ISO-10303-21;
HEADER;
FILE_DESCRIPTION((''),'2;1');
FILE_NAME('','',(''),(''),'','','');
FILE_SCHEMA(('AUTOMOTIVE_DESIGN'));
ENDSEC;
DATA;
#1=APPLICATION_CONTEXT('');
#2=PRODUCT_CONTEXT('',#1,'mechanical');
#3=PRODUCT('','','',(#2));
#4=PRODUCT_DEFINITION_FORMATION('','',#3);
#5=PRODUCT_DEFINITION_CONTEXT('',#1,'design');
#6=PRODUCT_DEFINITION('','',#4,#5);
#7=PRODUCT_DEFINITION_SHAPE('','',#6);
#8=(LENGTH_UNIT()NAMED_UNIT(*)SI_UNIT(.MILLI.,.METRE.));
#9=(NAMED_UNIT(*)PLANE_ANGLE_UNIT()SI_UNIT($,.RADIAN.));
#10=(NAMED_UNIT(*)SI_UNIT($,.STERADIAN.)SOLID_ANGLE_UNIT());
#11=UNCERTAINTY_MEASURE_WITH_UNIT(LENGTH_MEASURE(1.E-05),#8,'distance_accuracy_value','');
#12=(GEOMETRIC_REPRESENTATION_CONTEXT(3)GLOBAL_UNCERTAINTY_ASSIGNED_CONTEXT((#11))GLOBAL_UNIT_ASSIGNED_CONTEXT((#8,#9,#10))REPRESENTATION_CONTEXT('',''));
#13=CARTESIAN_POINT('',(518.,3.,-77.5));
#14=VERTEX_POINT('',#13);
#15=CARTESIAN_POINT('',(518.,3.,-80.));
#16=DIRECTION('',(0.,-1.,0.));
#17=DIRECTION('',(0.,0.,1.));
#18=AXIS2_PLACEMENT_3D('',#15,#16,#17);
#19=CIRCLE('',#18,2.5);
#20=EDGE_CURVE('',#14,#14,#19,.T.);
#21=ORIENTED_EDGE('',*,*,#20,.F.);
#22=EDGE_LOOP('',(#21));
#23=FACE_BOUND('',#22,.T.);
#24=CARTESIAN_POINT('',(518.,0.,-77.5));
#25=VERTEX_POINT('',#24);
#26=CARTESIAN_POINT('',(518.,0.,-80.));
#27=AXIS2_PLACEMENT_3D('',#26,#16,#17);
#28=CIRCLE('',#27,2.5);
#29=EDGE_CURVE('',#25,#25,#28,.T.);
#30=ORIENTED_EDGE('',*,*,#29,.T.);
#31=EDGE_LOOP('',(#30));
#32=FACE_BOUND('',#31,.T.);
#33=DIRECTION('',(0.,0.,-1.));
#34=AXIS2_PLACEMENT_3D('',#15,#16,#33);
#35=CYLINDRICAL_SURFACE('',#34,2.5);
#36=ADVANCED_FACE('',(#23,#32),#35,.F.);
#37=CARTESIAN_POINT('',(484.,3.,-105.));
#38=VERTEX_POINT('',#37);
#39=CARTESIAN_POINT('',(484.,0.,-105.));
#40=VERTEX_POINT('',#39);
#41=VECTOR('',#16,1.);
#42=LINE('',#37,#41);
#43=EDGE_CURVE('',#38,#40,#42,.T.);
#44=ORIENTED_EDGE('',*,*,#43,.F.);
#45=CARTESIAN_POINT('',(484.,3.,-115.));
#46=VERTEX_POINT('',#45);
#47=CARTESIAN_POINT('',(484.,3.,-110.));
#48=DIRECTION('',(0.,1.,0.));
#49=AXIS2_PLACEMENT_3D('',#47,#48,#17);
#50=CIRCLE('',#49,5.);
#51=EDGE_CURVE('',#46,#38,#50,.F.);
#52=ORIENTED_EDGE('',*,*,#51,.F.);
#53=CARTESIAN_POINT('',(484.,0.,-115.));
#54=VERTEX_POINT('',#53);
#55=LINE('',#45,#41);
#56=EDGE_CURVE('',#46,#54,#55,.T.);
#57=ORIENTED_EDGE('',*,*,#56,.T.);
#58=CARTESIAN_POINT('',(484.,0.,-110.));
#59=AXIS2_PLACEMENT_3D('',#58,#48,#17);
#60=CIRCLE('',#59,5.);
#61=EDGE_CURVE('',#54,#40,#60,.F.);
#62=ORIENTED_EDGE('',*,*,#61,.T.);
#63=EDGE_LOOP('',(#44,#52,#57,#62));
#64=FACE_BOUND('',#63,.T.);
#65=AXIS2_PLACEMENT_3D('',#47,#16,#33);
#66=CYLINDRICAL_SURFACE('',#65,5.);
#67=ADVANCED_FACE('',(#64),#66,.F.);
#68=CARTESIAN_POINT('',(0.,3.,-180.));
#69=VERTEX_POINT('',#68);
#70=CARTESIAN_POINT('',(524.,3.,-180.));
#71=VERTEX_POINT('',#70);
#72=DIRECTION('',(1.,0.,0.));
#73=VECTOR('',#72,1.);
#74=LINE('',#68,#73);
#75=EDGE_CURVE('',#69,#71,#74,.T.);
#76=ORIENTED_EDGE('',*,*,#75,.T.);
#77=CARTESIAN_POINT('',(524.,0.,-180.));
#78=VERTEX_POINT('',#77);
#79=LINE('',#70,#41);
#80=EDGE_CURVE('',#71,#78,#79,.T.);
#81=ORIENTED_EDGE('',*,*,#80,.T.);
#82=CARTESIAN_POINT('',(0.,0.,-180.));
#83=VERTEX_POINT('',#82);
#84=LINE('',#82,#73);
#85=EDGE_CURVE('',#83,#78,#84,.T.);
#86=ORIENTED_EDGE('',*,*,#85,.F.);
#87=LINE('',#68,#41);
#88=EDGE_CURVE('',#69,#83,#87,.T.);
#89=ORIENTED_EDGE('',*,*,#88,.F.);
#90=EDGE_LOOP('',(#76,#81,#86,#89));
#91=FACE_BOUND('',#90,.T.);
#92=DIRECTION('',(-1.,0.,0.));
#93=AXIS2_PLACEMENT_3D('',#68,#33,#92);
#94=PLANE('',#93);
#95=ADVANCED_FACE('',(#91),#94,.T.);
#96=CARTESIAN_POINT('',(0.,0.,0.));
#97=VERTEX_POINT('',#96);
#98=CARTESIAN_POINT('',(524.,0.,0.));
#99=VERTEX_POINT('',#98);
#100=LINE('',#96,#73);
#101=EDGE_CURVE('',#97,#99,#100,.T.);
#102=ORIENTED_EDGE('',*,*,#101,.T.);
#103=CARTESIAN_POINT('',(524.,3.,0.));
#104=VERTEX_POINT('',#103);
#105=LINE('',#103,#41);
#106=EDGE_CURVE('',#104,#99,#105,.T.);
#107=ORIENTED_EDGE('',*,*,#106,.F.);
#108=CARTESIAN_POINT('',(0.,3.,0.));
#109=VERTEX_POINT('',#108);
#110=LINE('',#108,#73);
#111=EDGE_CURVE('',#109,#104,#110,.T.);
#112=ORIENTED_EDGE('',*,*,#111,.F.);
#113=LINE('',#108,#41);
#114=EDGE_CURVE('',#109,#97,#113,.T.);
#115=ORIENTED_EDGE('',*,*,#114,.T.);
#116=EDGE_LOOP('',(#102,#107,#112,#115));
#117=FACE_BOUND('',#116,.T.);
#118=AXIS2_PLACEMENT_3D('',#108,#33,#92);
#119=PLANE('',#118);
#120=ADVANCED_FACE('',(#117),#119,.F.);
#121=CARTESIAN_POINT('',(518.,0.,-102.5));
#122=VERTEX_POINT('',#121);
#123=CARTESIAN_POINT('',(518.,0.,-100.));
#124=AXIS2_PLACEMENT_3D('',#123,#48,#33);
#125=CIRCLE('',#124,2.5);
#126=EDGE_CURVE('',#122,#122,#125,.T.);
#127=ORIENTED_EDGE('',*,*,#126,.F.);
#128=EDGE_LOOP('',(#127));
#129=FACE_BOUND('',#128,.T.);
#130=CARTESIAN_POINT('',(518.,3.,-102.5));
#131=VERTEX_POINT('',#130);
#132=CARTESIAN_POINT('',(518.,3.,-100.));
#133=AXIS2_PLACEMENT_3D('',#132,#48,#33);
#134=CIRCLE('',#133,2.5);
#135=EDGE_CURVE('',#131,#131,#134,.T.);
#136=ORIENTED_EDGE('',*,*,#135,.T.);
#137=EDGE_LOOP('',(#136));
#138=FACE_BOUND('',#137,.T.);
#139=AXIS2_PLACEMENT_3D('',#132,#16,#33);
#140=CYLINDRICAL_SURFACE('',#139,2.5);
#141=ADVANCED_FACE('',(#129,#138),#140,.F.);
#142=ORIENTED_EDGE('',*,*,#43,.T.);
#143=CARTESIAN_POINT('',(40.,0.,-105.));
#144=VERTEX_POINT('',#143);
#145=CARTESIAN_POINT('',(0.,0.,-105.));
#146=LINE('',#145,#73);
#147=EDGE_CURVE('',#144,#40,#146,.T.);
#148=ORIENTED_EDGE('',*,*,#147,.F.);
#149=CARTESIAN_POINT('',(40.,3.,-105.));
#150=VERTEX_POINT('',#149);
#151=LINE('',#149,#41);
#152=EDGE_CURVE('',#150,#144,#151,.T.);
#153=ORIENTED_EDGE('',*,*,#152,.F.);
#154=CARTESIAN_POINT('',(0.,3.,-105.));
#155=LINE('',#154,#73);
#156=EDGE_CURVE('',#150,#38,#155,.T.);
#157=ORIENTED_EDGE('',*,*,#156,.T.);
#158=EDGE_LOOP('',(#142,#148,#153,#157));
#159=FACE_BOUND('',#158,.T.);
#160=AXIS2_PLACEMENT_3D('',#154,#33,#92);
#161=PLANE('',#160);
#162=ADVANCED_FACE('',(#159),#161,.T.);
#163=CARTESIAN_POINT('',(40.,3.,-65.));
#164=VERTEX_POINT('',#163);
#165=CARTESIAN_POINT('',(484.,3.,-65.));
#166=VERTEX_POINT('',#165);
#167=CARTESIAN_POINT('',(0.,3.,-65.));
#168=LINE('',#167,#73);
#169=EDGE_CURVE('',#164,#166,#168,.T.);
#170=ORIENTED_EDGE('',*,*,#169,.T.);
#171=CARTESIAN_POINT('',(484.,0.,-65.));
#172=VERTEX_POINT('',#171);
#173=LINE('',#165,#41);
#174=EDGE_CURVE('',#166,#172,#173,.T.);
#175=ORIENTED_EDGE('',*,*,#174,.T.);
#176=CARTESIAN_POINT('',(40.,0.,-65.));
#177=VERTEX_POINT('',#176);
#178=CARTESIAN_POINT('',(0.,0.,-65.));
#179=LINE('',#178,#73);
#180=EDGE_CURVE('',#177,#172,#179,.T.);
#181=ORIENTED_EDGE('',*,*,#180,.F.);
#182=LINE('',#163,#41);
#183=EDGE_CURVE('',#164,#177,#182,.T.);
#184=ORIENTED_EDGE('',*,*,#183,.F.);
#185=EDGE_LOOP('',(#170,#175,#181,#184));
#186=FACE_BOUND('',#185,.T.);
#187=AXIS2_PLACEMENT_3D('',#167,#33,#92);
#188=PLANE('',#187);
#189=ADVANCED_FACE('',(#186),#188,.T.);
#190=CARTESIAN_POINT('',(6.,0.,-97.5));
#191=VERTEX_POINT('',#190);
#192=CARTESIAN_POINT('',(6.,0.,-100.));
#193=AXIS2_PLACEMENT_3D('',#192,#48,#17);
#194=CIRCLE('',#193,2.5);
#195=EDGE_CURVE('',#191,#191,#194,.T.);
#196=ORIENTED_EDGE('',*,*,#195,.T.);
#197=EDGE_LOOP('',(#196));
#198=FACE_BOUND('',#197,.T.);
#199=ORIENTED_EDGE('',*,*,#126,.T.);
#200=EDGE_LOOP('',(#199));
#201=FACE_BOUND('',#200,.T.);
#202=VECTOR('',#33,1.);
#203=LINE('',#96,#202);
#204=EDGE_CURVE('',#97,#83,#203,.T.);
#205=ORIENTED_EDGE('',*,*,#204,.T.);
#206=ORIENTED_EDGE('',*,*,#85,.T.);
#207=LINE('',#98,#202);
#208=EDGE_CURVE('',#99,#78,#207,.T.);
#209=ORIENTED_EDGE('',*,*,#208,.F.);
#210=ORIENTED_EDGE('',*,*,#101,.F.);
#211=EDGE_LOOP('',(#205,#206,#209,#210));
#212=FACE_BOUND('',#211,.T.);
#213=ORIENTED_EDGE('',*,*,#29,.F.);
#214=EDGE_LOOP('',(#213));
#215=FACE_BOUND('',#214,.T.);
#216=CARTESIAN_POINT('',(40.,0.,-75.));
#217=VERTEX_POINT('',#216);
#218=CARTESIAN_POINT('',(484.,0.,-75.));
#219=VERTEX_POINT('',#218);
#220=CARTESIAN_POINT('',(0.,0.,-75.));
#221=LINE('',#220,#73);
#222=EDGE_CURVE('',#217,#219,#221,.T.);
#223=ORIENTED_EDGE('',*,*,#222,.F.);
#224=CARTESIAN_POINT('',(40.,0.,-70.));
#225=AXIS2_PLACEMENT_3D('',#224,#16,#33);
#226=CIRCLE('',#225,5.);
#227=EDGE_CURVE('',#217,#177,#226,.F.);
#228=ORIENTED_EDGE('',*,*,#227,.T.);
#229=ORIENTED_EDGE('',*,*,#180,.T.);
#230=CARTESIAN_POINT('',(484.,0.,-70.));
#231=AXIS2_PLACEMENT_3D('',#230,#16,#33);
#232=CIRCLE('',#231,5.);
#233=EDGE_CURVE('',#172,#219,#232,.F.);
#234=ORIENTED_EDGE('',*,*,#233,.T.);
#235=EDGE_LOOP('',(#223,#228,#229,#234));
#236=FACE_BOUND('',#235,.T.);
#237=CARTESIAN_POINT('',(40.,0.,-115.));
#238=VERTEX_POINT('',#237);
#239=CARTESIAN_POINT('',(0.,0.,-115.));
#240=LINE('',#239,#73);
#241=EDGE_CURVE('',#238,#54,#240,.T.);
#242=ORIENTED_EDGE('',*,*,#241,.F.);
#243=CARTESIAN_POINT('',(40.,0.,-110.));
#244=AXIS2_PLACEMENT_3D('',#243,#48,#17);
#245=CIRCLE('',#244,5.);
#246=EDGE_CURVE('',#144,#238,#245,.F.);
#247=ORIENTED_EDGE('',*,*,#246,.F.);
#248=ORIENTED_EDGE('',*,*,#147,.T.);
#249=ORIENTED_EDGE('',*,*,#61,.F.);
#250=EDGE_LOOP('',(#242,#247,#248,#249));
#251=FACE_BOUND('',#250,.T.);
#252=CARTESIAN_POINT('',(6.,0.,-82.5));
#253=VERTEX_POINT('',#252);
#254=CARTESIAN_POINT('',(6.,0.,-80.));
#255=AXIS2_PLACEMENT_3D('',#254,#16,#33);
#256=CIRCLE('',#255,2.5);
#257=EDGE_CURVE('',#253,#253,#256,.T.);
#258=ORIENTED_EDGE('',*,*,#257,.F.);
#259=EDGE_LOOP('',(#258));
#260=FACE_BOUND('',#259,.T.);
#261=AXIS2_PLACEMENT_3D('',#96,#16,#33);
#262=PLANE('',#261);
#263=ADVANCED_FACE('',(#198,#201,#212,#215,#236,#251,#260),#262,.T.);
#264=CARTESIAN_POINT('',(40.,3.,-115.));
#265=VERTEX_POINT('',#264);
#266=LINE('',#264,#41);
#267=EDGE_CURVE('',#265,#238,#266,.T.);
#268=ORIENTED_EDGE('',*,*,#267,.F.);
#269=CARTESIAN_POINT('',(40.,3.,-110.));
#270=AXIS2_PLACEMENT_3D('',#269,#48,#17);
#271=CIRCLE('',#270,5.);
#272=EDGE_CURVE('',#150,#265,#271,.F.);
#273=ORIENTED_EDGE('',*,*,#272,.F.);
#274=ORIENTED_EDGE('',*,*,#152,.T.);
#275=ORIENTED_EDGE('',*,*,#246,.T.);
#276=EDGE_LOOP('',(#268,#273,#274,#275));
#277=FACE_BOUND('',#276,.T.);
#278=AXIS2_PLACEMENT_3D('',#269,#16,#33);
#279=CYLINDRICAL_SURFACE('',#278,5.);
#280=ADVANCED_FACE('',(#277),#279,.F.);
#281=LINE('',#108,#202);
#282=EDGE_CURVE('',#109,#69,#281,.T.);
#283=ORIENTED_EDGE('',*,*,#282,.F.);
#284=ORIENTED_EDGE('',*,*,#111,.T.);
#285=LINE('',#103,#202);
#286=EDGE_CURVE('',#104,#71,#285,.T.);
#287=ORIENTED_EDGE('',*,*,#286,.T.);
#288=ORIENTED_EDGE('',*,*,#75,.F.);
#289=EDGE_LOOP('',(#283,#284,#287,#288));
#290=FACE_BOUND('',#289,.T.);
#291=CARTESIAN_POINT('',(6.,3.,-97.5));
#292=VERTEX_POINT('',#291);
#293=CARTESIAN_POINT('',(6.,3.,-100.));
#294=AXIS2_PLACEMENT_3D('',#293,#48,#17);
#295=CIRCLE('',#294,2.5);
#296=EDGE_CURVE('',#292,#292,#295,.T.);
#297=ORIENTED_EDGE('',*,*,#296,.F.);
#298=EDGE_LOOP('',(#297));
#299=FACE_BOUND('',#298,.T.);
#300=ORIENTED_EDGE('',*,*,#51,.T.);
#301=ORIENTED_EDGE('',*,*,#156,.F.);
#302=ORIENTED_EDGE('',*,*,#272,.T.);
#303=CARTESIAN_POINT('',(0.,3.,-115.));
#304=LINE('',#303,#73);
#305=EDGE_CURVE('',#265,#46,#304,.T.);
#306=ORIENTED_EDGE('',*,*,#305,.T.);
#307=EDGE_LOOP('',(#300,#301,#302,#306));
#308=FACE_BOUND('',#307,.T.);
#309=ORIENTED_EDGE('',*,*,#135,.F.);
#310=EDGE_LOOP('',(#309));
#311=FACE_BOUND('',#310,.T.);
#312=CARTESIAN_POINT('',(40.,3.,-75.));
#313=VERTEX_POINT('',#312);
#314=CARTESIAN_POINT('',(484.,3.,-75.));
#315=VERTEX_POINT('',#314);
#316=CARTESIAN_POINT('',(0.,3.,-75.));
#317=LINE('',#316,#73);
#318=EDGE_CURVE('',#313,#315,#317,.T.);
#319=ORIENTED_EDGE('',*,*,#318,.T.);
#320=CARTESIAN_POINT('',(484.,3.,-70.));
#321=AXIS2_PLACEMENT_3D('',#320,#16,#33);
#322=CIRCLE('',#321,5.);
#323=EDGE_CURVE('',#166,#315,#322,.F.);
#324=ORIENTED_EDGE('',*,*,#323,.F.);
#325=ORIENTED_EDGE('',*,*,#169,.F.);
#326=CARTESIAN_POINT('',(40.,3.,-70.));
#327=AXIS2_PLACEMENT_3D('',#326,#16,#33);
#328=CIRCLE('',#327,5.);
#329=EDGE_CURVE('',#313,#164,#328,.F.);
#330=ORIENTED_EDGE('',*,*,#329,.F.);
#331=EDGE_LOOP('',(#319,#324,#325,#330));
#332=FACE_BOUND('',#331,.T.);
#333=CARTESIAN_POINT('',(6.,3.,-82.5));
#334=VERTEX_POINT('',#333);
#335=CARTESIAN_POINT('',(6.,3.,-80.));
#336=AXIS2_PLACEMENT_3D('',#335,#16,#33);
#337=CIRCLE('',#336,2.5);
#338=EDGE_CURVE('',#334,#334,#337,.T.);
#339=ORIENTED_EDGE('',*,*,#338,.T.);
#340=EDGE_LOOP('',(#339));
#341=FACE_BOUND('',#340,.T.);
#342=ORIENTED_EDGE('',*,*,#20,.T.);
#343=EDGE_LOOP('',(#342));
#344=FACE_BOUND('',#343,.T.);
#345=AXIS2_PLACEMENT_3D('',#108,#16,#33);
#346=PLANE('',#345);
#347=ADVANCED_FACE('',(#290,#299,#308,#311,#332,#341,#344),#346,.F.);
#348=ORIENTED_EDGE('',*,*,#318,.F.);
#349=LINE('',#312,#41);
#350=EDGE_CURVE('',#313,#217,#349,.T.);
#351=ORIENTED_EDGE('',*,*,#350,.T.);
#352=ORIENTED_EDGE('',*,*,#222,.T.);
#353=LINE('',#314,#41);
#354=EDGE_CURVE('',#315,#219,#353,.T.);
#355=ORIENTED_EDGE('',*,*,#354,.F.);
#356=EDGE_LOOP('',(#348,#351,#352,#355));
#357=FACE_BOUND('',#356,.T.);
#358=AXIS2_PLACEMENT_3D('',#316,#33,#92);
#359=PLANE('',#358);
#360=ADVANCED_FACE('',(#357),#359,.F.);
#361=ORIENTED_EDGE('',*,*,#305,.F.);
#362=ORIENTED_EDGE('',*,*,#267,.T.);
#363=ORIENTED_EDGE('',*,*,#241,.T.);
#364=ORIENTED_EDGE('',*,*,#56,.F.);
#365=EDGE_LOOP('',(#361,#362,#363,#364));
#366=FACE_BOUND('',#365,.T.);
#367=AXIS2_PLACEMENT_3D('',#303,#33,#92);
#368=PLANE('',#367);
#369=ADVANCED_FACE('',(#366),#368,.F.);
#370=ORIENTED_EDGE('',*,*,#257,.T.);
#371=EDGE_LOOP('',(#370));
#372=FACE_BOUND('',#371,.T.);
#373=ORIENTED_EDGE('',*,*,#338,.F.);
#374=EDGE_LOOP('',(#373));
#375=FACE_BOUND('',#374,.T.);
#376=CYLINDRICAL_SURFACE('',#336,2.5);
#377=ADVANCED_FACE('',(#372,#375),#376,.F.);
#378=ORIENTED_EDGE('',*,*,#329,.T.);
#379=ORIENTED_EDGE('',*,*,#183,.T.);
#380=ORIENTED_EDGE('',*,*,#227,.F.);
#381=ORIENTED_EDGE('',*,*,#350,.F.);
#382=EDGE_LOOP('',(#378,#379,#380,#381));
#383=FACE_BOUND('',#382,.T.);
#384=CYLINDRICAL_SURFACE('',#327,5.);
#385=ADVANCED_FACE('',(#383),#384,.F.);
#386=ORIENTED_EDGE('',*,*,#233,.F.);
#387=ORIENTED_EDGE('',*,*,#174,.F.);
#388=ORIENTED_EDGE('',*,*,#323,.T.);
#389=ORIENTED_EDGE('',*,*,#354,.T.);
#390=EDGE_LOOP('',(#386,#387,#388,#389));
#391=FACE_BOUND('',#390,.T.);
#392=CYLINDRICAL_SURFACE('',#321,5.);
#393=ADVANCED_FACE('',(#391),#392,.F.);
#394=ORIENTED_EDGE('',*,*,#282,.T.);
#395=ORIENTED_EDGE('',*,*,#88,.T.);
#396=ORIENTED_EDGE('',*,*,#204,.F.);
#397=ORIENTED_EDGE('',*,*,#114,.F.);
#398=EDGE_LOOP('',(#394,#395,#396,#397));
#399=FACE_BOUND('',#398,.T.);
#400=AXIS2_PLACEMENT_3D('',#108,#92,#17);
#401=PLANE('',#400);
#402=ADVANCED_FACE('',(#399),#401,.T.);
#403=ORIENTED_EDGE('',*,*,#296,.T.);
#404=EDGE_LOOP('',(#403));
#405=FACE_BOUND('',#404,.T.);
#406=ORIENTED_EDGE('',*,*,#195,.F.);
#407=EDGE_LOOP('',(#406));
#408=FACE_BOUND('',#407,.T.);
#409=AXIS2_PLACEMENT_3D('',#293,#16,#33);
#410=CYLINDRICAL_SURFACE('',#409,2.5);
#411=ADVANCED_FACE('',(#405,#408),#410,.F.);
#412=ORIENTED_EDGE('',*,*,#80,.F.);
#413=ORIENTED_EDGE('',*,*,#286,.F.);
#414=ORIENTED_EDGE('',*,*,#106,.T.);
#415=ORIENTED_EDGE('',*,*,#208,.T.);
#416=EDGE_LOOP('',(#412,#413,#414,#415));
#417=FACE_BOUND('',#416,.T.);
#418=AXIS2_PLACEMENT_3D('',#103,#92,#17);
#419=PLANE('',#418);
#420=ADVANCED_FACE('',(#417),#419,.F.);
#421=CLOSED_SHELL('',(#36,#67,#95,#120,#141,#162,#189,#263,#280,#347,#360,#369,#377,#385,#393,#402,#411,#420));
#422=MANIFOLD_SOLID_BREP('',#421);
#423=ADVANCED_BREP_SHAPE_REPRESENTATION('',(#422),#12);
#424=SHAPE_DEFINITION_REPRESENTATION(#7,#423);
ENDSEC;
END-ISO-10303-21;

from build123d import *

# Parameters (mm, degrees)
SKETCH1_W                  = 524
SKETCH1_H                  = 180
BOSS_EXTRUDE1_DEPTH        = 3
SKETCH2_W                  = 444
SKETCH2_H                  = 10
TRACKS_DEPTH               = 4
SKETCH3_R                  = 2.5
SCREW_MOUNTING_HOLES_DEPTH = 4


with BuildPart() as part:
    # Sketch1 → Boss-Extrude1 (new body)
    with BuildSketch(Plane(origin=(0, 0, 0), x_dir=(1, 0, 0), z_dir=(0, 1, 0))):
        with Locations((262, 90)):
            Rectangle(SKETCH1_W, SKETCH1_H)
    extrude(amount=BOSS_EXTRUDE1_DEPTH)

    # Sketch2 → Tracks (cut, through all)
    with BuildSketch(Plane.XZ):
        with BuildLine():
            ThreePointArc((484, -65), (489, -70), (484, -75))
            Line((484, -75), (484, -65))
        make_face()
        with Locations((262, -70)):
            Rectangle(SKETCH2_W, SKETCH2_H)
        with BuildLine():
            ThreePointArc((40, -75), (35, -70), (40, -65))
            Line((40, -65), (40, -75))
        make_face()
    tracks = extrude(amount=-TRACKS_DEPTH, mode=Mode.SUBTRACT)

    # Sketch3 → screw mounting holes (cut, through all)
    with BuildSketch(Plane.XZ):
        with Locations((6, -80)):
            Circle(SKETCH3_R)
        with Locations((518, -80)):
            Circle(SKETCH3_R)
    screw_mounting_holes = extrude(amount=-SCREW_MOUNTING_HOLES_DEPTH, mode=Mode.SUBTRACT)

    # Mirror2: Tracks, screw mounting holes across plane
    add(tracks.mirror(Plane(origin=(0, 0, -90), x_dir=(1, 0, 0), z_dir=(0, 0, -1))), mode=Mode.SUBTRACT)
    add(screw_mounting_holes.mirror(Plane(origin=(0, 0, -90), x_dir=(1, 0, 0), z_dir=(0, 0, -1))), mode=Mode.SUBTRACT)


solid = part.part
